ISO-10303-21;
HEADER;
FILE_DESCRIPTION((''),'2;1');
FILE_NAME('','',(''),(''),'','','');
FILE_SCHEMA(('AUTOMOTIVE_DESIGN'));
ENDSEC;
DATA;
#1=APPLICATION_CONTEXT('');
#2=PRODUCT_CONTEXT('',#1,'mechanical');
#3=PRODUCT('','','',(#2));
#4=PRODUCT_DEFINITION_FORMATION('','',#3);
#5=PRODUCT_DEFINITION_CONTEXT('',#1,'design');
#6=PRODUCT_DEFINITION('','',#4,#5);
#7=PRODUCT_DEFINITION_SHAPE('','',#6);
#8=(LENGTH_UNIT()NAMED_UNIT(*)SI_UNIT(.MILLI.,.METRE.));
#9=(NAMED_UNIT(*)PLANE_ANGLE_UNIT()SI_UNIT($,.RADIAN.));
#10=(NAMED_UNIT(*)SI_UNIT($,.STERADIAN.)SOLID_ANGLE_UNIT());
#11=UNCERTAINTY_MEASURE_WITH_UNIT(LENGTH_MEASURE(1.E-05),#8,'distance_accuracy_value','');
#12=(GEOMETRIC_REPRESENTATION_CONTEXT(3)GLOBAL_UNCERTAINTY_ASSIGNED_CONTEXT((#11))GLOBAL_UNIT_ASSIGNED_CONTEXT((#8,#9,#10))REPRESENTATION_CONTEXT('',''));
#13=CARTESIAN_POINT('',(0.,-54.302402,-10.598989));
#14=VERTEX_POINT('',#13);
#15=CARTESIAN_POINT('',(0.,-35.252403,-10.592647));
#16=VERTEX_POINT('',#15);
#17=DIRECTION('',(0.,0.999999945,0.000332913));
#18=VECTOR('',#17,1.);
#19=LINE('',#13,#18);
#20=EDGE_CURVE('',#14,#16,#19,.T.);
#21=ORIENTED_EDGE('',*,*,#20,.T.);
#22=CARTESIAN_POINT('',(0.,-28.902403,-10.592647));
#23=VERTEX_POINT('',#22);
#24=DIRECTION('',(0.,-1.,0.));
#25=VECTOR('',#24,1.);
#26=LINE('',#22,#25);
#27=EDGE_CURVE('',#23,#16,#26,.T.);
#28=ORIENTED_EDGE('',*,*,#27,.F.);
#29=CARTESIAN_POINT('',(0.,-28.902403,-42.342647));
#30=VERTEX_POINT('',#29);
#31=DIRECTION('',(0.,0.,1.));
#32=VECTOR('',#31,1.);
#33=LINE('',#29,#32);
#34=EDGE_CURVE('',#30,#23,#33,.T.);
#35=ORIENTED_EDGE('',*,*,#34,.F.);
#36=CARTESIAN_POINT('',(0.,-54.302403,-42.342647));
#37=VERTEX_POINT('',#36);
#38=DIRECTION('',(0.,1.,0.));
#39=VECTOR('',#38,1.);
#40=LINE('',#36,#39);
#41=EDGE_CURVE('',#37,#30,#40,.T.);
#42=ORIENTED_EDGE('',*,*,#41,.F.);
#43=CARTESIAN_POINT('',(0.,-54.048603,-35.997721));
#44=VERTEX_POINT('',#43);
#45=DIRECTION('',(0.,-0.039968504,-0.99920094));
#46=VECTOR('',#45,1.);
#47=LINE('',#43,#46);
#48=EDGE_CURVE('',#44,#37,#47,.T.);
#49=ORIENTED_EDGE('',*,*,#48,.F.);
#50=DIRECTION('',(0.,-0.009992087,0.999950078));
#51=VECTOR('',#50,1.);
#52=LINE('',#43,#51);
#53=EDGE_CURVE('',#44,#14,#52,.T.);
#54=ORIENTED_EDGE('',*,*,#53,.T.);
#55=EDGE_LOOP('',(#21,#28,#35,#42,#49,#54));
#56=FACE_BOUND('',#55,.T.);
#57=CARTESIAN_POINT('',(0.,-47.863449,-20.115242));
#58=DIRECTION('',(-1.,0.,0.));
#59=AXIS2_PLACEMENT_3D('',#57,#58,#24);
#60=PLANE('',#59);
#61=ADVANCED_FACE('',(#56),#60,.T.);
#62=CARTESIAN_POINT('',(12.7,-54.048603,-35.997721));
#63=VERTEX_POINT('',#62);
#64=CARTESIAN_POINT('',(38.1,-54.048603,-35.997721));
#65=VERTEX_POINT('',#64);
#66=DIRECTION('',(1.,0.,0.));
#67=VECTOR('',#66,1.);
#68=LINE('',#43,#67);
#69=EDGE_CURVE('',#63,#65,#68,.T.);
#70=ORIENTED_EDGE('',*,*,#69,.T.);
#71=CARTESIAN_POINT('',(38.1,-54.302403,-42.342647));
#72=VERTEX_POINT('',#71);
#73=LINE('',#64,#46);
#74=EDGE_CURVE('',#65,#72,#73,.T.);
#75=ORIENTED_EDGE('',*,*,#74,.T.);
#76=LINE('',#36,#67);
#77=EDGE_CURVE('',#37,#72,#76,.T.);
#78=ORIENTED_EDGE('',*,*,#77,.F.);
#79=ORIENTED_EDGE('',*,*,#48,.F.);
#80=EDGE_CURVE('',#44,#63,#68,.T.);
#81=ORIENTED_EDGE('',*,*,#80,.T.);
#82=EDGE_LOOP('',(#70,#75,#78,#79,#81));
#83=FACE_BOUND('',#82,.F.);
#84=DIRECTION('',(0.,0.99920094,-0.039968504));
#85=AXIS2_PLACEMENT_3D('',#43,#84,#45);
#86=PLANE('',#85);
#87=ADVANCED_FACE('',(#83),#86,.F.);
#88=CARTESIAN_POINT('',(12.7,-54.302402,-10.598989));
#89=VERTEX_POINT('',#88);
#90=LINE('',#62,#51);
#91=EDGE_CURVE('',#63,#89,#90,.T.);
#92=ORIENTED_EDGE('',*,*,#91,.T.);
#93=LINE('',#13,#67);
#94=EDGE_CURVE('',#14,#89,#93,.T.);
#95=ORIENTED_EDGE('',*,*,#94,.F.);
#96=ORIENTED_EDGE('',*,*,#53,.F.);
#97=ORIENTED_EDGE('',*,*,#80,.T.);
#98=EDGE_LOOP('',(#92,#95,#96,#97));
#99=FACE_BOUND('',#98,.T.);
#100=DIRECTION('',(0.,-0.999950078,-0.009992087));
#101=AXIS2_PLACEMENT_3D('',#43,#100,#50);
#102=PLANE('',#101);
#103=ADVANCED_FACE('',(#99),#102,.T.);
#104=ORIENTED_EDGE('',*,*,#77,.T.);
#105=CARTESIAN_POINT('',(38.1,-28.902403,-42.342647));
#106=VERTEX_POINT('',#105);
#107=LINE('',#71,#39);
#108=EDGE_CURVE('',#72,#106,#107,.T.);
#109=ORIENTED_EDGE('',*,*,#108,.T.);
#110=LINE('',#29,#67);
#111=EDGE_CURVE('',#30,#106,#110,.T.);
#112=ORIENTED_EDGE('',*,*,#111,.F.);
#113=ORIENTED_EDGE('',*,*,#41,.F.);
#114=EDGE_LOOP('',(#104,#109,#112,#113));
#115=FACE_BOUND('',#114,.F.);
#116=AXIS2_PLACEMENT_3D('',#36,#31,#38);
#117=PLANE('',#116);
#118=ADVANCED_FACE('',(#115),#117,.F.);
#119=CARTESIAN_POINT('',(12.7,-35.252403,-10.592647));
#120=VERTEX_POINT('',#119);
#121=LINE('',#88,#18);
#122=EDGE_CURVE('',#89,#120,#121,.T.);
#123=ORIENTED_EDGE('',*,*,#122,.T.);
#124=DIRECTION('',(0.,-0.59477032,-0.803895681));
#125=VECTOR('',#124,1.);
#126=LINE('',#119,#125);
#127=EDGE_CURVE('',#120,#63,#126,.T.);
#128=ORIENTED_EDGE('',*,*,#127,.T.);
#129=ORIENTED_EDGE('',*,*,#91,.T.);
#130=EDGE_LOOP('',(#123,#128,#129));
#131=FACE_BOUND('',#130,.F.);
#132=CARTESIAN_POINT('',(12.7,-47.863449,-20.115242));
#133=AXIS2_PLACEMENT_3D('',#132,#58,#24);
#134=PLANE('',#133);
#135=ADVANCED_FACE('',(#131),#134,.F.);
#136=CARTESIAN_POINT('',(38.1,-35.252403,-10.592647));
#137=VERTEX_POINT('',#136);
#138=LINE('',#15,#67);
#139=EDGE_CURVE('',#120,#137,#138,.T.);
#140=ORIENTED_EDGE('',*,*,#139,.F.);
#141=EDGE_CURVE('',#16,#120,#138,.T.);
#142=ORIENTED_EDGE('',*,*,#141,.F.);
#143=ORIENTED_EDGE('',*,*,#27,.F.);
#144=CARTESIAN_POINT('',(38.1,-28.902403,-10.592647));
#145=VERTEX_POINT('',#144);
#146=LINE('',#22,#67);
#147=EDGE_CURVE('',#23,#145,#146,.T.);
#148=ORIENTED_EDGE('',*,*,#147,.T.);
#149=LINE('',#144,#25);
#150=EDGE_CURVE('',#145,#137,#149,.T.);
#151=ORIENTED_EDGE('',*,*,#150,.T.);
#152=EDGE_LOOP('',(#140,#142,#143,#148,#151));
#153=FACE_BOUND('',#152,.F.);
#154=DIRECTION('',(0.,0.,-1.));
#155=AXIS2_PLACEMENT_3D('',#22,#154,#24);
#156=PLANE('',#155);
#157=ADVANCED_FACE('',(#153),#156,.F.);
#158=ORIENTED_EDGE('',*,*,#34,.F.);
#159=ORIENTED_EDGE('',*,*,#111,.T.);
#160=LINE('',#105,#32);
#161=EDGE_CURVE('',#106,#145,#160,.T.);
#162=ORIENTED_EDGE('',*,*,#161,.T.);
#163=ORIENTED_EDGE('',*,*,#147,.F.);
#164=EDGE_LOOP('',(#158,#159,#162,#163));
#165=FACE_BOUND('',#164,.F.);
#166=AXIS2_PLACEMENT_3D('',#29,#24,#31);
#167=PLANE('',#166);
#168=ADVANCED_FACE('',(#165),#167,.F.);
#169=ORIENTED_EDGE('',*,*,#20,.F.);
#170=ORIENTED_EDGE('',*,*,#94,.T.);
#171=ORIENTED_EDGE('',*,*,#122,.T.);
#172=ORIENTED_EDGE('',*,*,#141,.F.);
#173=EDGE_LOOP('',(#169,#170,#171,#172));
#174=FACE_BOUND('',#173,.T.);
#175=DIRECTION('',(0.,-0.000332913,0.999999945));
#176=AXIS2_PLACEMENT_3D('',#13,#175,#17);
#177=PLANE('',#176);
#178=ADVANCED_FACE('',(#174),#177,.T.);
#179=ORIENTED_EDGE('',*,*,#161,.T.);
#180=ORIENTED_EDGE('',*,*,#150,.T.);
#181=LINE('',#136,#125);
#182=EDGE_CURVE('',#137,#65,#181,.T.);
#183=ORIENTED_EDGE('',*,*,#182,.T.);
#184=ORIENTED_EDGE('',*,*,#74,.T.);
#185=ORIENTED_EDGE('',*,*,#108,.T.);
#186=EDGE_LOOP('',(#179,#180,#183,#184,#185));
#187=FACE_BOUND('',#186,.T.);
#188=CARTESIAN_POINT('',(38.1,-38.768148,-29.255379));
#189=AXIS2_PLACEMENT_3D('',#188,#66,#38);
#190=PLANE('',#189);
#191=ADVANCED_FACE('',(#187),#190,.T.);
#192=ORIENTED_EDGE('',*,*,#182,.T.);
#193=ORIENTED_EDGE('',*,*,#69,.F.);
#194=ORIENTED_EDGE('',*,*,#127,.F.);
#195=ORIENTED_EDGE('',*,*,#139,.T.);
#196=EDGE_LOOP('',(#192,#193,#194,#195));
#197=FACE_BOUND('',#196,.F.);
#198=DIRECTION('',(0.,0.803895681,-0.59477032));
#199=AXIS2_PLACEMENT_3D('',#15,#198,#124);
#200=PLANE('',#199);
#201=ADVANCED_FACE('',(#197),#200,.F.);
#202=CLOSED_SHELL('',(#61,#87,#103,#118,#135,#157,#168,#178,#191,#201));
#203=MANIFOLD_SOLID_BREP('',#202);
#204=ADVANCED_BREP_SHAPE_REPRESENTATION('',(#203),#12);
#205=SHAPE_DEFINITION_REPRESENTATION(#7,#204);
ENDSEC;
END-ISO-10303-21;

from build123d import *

# Parameters (mm, degrees)
F1_DEPTH = 38.1
F3_DEPTH = 12.7


with BuildPart() as f1:
    # F0 (on Right) → F1 (new body)
    with BuildSketch(Plane.YZ):
        Polygon((-54.048603, -35.997721), (-54.302403, -42.342647), (-28.902403, -42.342647), (-28.902403, -10.592647), (-35.252403, -10.592647), align=None)
    extrude(amount=F1_DEPTH)

    # F2 (on face) → F3 (join)
    with BuildSketch(Plane(origin=(0, 0, 0), x_dir=(0, -1, 0), z_dir=(-1, 0, 0))):
        Polygon((54.302402, -10.598989), (35.252403, -10.592647), (54.048603, -35.997721), align=None)
    extrude(amount=-F3_DEPTH)


solid = f1.part
